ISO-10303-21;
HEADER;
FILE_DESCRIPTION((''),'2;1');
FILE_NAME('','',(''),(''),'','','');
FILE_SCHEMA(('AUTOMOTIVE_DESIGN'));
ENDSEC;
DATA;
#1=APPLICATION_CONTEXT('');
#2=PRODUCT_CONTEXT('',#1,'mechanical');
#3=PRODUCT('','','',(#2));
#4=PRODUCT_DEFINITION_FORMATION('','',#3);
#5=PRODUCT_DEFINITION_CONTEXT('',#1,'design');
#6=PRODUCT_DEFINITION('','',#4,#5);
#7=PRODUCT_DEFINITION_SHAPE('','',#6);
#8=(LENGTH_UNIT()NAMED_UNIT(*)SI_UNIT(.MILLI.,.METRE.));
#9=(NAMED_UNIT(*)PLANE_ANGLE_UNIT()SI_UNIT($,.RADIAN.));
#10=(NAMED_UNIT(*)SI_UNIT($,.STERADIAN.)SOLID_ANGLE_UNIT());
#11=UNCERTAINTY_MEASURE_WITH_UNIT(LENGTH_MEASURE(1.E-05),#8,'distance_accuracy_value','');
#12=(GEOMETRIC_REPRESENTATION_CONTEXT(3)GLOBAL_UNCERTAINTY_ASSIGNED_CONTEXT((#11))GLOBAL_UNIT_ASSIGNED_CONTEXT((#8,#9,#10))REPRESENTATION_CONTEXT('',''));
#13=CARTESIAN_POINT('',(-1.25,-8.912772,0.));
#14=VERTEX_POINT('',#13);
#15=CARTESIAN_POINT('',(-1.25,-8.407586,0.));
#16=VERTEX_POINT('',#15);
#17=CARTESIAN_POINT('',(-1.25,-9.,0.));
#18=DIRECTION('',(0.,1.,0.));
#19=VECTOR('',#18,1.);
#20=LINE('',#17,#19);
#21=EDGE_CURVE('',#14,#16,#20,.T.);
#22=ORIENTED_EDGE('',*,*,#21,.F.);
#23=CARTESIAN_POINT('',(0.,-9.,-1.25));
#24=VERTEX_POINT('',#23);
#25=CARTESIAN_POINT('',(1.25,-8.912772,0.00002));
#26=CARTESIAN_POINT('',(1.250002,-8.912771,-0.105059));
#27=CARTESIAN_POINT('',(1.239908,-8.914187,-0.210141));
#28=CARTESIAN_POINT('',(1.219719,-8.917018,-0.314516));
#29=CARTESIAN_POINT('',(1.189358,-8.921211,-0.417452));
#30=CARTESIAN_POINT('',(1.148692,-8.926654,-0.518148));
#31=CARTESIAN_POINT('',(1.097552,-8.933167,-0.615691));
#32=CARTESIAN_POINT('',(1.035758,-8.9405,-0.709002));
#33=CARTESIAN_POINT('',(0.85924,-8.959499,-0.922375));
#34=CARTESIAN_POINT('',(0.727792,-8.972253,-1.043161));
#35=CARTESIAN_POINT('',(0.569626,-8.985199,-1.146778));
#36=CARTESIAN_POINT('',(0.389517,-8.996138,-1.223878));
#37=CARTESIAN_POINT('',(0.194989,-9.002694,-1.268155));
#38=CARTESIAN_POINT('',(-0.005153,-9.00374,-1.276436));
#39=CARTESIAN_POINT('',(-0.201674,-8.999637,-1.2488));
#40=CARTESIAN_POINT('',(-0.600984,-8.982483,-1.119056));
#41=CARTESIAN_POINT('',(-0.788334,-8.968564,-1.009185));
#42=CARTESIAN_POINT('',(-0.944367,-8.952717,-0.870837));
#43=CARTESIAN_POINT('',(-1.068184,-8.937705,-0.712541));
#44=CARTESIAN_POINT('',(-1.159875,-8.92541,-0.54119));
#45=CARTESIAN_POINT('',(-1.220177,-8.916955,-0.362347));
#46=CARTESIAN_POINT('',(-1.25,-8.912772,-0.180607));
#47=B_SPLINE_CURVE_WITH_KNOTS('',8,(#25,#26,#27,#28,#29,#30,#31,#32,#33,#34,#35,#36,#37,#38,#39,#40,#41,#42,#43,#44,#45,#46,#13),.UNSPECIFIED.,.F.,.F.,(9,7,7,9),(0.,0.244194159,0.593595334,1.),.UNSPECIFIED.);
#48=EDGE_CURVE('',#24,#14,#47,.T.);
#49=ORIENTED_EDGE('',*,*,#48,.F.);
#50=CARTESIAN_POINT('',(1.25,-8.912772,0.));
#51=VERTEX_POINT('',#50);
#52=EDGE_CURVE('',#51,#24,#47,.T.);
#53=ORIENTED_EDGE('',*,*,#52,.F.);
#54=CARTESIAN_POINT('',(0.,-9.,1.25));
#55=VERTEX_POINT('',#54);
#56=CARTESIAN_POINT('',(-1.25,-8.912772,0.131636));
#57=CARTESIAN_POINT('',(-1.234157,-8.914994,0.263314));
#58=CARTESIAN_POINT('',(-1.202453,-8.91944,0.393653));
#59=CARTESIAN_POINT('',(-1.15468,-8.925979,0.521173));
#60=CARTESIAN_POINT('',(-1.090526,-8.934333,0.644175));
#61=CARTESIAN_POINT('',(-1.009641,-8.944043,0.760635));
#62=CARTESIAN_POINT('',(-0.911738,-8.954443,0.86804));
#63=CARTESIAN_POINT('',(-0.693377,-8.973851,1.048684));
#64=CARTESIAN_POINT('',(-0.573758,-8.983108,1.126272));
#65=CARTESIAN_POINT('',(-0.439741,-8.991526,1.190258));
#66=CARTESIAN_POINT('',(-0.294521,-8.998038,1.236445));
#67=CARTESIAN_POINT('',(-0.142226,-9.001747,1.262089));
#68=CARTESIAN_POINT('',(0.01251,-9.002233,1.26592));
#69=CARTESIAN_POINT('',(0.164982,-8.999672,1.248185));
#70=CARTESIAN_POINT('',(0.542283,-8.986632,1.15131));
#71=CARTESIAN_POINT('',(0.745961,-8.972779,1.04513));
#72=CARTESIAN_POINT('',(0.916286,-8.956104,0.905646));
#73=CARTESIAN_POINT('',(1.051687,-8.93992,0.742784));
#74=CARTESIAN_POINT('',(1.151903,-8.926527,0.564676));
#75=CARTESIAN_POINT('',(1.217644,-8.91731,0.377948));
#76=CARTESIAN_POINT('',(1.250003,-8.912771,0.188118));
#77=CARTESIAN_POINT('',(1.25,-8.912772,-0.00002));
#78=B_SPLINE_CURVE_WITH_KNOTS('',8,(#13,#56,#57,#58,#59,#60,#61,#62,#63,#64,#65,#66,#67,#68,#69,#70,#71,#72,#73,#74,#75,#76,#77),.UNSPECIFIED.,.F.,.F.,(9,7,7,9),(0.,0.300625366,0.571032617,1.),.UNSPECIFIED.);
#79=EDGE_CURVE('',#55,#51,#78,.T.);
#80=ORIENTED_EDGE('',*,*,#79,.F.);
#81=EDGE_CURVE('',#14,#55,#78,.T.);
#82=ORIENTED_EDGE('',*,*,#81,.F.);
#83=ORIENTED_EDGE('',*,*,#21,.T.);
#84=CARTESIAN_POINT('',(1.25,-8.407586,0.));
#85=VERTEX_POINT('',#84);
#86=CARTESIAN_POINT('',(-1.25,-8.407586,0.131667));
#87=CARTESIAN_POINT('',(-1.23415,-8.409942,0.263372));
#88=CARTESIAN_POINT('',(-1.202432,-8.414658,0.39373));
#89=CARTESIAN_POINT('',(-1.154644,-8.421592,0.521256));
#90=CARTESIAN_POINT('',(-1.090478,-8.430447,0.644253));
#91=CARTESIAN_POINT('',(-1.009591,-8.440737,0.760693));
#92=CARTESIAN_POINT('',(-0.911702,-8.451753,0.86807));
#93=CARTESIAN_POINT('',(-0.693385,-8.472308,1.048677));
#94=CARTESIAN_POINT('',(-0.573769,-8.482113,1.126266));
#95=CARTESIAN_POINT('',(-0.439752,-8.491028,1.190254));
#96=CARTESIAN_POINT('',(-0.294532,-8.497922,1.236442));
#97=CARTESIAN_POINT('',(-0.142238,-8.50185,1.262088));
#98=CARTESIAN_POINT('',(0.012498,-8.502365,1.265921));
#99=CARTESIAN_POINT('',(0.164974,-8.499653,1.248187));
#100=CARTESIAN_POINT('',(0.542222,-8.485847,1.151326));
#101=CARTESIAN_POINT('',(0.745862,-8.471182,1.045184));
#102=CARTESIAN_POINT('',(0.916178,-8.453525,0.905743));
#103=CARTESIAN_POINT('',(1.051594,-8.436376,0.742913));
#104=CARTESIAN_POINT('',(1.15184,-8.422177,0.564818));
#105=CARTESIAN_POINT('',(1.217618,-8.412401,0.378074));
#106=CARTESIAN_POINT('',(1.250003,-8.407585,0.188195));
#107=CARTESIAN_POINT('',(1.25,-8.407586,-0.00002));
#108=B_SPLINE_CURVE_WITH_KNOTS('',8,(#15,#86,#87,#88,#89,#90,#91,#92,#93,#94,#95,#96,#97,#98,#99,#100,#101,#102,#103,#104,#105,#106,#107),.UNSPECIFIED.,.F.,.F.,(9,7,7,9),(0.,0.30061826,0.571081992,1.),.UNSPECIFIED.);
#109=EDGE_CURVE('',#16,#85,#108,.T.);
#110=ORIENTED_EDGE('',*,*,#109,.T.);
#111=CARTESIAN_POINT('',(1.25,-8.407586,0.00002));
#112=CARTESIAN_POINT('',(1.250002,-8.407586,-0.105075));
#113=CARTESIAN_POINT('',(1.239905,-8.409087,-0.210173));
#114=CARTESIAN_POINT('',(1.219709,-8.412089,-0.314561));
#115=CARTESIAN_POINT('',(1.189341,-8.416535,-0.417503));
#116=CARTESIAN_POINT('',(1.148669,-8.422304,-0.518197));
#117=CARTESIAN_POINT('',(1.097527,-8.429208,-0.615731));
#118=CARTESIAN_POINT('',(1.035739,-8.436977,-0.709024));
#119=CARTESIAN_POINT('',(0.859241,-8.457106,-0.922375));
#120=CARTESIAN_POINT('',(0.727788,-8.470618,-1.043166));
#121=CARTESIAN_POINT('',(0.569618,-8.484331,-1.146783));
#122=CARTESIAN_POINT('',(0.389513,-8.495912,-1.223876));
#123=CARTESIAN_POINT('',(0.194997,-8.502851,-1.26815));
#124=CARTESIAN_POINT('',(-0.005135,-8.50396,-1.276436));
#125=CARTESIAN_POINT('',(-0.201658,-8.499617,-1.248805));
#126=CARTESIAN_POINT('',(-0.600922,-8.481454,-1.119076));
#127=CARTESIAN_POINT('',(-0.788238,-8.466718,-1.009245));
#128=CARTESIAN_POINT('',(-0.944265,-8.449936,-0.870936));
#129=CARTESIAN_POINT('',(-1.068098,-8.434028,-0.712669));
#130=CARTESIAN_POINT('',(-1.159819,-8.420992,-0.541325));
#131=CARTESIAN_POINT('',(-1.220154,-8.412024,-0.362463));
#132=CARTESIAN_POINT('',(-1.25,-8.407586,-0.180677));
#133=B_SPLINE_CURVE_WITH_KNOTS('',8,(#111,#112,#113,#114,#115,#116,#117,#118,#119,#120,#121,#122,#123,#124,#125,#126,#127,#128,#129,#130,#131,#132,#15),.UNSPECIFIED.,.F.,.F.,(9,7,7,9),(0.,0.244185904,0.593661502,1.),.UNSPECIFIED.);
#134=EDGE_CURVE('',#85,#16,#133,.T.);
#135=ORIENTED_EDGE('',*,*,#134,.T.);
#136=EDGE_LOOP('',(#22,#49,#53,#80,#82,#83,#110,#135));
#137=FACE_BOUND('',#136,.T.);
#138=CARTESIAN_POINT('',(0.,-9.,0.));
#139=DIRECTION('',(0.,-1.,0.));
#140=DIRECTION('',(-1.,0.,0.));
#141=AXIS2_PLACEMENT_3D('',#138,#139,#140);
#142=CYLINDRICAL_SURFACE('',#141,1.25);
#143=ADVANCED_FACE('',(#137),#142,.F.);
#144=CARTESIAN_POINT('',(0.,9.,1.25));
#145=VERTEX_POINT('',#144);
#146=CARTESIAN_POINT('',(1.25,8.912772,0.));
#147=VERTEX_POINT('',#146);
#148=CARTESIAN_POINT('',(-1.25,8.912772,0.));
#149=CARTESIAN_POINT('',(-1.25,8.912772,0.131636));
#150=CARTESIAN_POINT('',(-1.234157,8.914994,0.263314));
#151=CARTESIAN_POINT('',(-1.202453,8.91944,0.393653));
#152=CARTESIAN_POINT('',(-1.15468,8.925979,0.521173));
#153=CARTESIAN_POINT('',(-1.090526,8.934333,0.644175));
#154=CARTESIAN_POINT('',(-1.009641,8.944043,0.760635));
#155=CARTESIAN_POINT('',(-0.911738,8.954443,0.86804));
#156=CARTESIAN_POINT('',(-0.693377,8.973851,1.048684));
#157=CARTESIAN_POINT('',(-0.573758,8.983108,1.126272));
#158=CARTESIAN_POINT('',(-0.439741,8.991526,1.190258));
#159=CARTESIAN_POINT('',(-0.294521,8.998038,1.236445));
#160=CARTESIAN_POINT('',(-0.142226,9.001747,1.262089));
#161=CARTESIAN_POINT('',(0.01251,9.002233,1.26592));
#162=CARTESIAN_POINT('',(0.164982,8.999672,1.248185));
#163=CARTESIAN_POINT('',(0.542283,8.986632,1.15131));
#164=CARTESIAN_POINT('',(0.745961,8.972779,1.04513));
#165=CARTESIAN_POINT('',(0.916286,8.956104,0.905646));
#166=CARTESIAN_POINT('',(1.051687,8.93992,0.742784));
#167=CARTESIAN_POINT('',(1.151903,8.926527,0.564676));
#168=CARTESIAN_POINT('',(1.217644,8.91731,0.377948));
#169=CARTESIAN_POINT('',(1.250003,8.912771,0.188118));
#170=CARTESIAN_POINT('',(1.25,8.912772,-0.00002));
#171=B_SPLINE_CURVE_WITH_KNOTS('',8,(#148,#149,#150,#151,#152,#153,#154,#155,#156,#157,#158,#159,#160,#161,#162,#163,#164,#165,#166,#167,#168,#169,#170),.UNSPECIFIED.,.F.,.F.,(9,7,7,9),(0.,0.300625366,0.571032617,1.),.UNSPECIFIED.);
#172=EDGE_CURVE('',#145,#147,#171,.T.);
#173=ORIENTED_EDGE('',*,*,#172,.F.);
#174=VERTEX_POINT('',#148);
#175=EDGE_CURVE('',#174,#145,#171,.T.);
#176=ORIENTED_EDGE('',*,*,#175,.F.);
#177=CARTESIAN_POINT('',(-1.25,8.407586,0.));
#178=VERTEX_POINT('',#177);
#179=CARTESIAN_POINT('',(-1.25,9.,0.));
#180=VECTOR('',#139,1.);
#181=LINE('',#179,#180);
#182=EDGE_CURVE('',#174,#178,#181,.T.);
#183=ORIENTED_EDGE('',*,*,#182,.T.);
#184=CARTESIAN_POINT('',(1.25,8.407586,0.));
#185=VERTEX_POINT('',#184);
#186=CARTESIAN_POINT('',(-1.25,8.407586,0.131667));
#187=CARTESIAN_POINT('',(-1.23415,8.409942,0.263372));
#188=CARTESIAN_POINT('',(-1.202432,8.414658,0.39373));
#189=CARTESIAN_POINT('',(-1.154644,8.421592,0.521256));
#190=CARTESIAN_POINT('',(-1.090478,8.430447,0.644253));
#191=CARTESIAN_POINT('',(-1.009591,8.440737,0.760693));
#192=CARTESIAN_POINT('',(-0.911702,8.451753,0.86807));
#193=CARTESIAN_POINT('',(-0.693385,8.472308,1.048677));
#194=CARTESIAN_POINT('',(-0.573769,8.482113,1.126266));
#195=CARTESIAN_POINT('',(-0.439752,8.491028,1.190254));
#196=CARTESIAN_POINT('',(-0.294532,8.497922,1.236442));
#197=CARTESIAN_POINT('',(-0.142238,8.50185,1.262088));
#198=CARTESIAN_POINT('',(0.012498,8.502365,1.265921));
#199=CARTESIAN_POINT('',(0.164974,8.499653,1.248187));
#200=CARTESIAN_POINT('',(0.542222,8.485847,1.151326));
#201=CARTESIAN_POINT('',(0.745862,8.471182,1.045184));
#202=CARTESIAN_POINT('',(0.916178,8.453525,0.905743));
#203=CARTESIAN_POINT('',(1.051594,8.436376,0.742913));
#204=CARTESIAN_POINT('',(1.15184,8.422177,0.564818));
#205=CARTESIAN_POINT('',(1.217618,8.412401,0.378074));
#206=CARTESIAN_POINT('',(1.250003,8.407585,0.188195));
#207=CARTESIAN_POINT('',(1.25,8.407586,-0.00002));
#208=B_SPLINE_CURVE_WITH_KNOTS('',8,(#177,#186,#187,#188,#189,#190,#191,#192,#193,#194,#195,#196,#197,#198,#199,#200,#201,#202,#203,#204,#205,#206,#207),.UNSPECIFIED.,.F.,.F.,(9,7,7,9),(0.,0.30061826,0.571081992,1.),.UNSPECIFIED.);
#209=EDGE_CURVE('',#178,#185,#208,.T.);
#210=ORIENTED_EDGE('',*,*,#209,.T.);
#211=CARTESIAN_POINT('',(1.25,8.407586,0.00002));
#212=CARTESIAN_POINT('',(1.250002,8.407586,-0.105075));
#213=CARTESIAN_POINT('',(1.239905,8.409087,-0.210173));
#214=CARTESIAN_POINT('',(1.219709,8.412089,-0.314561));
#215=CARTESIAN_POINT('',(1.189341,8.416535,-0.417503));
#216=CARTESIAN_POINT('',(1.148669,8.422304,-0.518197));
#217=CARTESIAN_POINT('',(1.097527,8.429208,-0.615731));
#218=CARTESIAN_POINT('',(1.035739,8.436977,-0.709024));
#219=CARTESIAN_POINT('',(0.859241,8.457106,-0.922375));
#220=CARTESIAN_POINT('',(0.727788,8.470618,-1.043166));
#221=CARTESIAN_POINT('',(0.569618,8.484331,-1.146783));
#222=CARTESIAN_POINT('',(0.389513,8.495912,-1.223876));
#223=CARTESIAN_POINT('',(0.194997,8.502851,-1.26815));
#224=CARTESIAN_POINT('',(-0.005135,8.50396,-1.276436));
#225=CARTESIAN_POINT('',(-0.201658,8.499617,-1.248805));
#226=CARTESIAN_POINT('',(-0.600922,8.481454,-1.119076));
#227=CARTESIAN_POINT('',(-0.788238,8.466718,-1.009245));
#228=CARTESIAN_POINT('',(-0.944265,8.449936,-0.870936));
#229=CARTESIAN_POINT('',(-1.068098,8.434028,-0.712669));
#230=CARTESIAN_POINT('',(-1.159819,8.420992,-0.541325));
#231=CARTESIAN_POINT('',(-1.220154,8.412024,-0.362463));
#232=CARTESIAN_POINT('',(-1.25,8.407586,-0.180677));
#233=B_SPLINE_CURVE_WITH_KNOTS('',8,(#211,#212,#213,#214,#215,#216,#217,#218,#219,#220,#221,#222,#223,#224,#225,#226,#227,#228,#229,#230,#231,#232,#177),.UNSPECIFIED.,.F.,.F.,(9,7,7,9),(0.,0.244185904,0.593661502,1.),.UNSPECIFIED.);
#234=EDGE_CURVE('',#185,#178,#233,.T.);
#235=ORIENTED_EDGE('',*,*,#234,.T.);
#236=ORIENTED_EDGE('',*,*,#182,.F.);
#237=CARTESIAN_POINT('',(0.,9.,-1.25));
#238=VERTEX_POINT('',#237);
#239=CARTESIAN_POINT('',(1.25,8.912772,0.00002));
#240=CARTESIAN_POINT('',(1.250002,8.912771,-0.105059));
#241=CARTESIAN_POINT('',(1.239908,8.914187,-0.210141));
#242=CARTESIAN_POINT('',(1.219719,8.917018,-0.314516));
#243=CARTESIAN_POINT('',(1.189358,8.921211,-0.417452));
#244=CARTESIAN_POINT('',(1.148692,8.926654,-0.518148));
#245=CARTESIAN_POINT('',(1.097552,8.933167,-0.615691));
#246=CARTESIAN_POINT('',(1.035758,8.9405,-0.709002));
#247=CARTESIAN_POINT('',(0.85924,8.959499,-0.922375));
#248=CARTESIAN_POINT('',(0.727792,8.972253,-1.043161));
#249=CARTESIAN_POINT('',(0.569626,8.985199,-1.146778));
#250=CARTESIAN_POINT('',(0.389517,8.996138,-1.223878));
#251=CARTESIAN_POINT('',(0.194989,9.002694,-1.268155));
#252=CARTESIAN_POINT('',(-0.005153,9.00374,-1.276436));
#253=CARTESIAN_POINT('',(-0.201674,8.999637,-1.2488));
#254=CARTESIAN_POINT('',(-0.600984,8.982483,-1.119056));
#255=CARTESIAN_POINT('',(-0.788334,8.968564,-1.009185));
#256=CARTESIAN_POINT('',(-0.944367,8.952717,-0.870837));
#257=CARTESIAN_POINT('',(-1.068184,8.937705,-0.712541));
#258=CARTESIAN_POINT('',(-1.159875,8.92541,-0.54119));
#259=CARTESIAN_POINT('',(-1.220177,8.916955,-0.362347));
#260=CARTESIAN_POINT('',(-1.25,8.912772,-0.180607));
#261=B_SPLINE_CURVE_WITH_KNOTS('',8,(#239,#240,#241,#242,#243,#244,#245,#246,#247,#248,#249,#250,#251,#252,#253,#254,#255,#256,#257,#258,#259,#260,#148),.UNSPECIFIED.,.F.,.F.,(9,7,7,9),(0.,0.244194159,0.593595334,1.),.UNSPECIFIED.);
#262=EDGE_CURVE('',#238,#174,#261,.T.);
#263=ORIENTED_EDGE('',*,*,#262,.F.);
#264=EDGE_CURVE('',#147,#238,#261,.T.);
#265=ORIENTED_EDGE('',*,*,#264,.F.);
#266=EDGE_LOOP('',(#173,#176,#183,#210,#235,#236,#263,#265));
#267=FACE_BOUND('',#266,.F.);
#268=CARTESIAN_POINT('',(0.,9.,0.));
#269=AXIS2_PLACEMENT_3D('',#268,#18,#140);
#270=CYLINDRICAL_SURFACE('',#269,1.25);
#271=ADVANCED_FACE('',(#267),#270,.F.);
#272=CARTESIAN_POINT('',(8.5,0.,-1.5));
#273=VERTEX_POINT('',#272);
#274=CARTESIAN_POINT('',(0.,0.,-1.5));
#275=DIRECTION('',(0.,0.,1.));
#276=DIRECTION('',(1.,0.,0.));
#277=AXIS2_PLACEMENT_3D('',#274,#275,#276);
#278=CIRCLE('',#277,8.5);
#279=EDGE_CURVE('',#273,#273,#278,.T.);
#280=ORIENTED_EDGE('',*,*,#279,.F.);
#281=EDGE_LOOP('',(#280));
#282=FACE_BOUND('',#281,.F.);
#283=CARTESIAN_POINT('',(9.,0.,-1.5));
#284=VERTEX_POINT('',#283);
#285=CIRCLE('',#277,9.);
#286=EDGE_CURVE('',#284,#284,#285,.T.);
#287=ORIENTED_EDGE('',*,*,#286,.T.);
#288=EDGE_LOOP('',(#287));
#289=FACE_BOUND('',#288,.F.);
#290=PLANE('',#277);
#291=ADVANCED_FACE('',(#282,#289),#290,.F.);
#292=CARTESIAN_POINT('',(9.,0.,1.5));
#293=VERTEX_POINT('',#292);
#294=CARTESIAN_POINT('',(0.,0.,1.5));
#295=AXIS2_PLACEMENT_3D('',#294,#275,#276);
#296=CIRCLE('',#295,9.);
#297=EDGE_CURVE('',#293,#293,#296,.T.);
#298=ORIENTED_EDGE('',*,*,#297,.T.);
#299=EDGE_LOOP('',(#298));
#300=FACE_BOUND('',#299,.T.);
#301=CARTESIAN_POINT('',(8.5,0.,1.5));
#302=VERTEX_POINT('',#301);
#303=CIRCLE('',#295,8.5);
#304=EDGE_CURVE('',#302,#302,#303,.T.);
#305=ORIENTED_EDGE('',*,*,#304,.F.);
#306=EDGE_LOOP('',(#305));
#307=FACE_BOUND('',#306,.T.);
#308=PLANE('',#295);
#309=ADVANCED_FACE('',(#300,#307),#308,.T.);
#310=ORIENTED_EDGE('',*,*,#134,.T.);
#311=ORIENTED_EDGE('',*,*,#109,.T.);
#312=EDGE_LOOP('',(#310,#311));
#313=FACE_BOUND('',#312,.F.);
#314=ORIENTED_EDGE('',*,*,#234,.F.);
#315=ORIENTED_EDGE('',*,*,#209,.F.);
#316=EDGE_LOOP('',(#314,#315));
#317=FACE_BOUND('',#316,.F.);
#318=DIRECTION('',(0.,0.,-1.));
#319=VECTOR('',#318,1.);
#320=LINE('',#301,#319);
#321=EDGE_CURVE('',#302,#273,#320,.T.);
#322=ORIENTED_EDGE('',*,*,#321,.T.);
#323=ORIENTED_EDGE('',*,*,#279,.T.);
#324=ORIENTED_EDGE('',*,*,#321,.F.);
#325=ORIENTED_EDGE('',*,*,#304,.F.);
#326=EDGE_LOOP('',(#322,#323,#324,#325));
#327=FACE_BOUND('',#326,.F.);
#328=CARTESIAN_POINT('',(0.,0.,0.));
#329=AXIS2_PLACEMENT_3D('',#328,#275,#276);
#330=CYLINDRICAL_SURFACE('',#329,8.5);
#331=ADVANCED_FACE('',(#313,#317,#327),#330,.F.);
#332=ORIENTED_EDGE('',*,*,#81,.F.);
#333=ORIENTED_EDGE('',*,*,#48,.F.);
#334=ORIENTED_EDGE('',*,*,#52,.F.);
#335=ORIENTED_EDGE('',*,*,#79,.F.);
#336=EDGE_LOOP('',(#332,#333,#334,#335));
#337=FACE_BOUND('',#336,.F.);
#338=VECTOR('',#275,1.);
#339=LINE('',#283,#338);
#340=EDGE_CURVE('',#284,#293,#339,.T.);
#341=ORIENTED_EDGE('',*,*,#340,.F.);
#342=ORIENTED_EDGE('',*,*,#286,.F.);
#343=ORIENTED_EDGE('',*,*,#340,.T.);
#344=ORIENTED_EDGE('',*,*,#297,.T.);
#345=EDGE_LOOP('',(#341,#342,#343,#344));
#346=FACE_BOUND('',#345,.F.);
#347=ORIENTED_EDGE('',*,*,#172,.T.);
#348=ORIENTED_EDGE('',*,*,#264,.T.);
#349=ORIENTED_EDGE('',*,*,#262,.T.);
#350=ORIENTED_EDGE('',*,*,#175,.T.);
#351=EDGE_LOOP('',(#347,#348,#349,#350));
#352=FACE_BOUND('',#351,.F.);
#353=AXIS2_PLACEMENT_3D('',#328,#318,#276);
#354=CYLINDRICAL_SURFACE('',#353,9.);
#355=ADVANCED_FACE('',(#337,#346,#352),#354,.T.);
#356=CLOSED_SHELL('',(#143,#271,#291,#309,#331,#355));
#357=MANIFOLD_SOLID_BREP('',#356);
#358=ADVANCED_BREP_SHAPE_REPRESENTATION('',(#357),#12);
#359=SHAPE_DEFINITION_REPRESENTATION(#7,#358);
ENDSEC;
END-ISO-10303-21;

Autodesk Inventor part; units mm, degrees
ref_plane "YZ Plane" through (0, 0, 0) normal (1, 0, 0) x (0, 1, 0)
ref_plane "XY Plane" through (0, 0, 0) normal (0, 0, 1) x (1, 0, 0)
sketch "Sketch1" plane through (0, 0, 0) normal (0, 0, 1) x (1, 0, 0)
  circle A0 centre (0, 0) radius 9
  circle A1 centre (0, 0) radius 8.5
  dimension "d0" = 18
  dimension "d1" = 17
extrude "Extrusion1" add sketch "Sketch1" along normal mid plane 3
ref_plane "Work Plane1" through (0, 9, 0) normal (0, 1, 0) x (-1, 0, 0)
sketch "Sketch2" plane through (0, 9, 0) normal (0, 1, 0) x (-1, 0, 0)
  circle A0 centre (0, 0) radius 1.25
  dimension "d5" = 2.5
extrude "Extrusion2" cut sketch "Sketch2" against normal up to surface
mirror "Mirror1" about plane through (0, 0, 0) normal (0, 1, 0) of "Extrusion2"
properties part number "21.1"
